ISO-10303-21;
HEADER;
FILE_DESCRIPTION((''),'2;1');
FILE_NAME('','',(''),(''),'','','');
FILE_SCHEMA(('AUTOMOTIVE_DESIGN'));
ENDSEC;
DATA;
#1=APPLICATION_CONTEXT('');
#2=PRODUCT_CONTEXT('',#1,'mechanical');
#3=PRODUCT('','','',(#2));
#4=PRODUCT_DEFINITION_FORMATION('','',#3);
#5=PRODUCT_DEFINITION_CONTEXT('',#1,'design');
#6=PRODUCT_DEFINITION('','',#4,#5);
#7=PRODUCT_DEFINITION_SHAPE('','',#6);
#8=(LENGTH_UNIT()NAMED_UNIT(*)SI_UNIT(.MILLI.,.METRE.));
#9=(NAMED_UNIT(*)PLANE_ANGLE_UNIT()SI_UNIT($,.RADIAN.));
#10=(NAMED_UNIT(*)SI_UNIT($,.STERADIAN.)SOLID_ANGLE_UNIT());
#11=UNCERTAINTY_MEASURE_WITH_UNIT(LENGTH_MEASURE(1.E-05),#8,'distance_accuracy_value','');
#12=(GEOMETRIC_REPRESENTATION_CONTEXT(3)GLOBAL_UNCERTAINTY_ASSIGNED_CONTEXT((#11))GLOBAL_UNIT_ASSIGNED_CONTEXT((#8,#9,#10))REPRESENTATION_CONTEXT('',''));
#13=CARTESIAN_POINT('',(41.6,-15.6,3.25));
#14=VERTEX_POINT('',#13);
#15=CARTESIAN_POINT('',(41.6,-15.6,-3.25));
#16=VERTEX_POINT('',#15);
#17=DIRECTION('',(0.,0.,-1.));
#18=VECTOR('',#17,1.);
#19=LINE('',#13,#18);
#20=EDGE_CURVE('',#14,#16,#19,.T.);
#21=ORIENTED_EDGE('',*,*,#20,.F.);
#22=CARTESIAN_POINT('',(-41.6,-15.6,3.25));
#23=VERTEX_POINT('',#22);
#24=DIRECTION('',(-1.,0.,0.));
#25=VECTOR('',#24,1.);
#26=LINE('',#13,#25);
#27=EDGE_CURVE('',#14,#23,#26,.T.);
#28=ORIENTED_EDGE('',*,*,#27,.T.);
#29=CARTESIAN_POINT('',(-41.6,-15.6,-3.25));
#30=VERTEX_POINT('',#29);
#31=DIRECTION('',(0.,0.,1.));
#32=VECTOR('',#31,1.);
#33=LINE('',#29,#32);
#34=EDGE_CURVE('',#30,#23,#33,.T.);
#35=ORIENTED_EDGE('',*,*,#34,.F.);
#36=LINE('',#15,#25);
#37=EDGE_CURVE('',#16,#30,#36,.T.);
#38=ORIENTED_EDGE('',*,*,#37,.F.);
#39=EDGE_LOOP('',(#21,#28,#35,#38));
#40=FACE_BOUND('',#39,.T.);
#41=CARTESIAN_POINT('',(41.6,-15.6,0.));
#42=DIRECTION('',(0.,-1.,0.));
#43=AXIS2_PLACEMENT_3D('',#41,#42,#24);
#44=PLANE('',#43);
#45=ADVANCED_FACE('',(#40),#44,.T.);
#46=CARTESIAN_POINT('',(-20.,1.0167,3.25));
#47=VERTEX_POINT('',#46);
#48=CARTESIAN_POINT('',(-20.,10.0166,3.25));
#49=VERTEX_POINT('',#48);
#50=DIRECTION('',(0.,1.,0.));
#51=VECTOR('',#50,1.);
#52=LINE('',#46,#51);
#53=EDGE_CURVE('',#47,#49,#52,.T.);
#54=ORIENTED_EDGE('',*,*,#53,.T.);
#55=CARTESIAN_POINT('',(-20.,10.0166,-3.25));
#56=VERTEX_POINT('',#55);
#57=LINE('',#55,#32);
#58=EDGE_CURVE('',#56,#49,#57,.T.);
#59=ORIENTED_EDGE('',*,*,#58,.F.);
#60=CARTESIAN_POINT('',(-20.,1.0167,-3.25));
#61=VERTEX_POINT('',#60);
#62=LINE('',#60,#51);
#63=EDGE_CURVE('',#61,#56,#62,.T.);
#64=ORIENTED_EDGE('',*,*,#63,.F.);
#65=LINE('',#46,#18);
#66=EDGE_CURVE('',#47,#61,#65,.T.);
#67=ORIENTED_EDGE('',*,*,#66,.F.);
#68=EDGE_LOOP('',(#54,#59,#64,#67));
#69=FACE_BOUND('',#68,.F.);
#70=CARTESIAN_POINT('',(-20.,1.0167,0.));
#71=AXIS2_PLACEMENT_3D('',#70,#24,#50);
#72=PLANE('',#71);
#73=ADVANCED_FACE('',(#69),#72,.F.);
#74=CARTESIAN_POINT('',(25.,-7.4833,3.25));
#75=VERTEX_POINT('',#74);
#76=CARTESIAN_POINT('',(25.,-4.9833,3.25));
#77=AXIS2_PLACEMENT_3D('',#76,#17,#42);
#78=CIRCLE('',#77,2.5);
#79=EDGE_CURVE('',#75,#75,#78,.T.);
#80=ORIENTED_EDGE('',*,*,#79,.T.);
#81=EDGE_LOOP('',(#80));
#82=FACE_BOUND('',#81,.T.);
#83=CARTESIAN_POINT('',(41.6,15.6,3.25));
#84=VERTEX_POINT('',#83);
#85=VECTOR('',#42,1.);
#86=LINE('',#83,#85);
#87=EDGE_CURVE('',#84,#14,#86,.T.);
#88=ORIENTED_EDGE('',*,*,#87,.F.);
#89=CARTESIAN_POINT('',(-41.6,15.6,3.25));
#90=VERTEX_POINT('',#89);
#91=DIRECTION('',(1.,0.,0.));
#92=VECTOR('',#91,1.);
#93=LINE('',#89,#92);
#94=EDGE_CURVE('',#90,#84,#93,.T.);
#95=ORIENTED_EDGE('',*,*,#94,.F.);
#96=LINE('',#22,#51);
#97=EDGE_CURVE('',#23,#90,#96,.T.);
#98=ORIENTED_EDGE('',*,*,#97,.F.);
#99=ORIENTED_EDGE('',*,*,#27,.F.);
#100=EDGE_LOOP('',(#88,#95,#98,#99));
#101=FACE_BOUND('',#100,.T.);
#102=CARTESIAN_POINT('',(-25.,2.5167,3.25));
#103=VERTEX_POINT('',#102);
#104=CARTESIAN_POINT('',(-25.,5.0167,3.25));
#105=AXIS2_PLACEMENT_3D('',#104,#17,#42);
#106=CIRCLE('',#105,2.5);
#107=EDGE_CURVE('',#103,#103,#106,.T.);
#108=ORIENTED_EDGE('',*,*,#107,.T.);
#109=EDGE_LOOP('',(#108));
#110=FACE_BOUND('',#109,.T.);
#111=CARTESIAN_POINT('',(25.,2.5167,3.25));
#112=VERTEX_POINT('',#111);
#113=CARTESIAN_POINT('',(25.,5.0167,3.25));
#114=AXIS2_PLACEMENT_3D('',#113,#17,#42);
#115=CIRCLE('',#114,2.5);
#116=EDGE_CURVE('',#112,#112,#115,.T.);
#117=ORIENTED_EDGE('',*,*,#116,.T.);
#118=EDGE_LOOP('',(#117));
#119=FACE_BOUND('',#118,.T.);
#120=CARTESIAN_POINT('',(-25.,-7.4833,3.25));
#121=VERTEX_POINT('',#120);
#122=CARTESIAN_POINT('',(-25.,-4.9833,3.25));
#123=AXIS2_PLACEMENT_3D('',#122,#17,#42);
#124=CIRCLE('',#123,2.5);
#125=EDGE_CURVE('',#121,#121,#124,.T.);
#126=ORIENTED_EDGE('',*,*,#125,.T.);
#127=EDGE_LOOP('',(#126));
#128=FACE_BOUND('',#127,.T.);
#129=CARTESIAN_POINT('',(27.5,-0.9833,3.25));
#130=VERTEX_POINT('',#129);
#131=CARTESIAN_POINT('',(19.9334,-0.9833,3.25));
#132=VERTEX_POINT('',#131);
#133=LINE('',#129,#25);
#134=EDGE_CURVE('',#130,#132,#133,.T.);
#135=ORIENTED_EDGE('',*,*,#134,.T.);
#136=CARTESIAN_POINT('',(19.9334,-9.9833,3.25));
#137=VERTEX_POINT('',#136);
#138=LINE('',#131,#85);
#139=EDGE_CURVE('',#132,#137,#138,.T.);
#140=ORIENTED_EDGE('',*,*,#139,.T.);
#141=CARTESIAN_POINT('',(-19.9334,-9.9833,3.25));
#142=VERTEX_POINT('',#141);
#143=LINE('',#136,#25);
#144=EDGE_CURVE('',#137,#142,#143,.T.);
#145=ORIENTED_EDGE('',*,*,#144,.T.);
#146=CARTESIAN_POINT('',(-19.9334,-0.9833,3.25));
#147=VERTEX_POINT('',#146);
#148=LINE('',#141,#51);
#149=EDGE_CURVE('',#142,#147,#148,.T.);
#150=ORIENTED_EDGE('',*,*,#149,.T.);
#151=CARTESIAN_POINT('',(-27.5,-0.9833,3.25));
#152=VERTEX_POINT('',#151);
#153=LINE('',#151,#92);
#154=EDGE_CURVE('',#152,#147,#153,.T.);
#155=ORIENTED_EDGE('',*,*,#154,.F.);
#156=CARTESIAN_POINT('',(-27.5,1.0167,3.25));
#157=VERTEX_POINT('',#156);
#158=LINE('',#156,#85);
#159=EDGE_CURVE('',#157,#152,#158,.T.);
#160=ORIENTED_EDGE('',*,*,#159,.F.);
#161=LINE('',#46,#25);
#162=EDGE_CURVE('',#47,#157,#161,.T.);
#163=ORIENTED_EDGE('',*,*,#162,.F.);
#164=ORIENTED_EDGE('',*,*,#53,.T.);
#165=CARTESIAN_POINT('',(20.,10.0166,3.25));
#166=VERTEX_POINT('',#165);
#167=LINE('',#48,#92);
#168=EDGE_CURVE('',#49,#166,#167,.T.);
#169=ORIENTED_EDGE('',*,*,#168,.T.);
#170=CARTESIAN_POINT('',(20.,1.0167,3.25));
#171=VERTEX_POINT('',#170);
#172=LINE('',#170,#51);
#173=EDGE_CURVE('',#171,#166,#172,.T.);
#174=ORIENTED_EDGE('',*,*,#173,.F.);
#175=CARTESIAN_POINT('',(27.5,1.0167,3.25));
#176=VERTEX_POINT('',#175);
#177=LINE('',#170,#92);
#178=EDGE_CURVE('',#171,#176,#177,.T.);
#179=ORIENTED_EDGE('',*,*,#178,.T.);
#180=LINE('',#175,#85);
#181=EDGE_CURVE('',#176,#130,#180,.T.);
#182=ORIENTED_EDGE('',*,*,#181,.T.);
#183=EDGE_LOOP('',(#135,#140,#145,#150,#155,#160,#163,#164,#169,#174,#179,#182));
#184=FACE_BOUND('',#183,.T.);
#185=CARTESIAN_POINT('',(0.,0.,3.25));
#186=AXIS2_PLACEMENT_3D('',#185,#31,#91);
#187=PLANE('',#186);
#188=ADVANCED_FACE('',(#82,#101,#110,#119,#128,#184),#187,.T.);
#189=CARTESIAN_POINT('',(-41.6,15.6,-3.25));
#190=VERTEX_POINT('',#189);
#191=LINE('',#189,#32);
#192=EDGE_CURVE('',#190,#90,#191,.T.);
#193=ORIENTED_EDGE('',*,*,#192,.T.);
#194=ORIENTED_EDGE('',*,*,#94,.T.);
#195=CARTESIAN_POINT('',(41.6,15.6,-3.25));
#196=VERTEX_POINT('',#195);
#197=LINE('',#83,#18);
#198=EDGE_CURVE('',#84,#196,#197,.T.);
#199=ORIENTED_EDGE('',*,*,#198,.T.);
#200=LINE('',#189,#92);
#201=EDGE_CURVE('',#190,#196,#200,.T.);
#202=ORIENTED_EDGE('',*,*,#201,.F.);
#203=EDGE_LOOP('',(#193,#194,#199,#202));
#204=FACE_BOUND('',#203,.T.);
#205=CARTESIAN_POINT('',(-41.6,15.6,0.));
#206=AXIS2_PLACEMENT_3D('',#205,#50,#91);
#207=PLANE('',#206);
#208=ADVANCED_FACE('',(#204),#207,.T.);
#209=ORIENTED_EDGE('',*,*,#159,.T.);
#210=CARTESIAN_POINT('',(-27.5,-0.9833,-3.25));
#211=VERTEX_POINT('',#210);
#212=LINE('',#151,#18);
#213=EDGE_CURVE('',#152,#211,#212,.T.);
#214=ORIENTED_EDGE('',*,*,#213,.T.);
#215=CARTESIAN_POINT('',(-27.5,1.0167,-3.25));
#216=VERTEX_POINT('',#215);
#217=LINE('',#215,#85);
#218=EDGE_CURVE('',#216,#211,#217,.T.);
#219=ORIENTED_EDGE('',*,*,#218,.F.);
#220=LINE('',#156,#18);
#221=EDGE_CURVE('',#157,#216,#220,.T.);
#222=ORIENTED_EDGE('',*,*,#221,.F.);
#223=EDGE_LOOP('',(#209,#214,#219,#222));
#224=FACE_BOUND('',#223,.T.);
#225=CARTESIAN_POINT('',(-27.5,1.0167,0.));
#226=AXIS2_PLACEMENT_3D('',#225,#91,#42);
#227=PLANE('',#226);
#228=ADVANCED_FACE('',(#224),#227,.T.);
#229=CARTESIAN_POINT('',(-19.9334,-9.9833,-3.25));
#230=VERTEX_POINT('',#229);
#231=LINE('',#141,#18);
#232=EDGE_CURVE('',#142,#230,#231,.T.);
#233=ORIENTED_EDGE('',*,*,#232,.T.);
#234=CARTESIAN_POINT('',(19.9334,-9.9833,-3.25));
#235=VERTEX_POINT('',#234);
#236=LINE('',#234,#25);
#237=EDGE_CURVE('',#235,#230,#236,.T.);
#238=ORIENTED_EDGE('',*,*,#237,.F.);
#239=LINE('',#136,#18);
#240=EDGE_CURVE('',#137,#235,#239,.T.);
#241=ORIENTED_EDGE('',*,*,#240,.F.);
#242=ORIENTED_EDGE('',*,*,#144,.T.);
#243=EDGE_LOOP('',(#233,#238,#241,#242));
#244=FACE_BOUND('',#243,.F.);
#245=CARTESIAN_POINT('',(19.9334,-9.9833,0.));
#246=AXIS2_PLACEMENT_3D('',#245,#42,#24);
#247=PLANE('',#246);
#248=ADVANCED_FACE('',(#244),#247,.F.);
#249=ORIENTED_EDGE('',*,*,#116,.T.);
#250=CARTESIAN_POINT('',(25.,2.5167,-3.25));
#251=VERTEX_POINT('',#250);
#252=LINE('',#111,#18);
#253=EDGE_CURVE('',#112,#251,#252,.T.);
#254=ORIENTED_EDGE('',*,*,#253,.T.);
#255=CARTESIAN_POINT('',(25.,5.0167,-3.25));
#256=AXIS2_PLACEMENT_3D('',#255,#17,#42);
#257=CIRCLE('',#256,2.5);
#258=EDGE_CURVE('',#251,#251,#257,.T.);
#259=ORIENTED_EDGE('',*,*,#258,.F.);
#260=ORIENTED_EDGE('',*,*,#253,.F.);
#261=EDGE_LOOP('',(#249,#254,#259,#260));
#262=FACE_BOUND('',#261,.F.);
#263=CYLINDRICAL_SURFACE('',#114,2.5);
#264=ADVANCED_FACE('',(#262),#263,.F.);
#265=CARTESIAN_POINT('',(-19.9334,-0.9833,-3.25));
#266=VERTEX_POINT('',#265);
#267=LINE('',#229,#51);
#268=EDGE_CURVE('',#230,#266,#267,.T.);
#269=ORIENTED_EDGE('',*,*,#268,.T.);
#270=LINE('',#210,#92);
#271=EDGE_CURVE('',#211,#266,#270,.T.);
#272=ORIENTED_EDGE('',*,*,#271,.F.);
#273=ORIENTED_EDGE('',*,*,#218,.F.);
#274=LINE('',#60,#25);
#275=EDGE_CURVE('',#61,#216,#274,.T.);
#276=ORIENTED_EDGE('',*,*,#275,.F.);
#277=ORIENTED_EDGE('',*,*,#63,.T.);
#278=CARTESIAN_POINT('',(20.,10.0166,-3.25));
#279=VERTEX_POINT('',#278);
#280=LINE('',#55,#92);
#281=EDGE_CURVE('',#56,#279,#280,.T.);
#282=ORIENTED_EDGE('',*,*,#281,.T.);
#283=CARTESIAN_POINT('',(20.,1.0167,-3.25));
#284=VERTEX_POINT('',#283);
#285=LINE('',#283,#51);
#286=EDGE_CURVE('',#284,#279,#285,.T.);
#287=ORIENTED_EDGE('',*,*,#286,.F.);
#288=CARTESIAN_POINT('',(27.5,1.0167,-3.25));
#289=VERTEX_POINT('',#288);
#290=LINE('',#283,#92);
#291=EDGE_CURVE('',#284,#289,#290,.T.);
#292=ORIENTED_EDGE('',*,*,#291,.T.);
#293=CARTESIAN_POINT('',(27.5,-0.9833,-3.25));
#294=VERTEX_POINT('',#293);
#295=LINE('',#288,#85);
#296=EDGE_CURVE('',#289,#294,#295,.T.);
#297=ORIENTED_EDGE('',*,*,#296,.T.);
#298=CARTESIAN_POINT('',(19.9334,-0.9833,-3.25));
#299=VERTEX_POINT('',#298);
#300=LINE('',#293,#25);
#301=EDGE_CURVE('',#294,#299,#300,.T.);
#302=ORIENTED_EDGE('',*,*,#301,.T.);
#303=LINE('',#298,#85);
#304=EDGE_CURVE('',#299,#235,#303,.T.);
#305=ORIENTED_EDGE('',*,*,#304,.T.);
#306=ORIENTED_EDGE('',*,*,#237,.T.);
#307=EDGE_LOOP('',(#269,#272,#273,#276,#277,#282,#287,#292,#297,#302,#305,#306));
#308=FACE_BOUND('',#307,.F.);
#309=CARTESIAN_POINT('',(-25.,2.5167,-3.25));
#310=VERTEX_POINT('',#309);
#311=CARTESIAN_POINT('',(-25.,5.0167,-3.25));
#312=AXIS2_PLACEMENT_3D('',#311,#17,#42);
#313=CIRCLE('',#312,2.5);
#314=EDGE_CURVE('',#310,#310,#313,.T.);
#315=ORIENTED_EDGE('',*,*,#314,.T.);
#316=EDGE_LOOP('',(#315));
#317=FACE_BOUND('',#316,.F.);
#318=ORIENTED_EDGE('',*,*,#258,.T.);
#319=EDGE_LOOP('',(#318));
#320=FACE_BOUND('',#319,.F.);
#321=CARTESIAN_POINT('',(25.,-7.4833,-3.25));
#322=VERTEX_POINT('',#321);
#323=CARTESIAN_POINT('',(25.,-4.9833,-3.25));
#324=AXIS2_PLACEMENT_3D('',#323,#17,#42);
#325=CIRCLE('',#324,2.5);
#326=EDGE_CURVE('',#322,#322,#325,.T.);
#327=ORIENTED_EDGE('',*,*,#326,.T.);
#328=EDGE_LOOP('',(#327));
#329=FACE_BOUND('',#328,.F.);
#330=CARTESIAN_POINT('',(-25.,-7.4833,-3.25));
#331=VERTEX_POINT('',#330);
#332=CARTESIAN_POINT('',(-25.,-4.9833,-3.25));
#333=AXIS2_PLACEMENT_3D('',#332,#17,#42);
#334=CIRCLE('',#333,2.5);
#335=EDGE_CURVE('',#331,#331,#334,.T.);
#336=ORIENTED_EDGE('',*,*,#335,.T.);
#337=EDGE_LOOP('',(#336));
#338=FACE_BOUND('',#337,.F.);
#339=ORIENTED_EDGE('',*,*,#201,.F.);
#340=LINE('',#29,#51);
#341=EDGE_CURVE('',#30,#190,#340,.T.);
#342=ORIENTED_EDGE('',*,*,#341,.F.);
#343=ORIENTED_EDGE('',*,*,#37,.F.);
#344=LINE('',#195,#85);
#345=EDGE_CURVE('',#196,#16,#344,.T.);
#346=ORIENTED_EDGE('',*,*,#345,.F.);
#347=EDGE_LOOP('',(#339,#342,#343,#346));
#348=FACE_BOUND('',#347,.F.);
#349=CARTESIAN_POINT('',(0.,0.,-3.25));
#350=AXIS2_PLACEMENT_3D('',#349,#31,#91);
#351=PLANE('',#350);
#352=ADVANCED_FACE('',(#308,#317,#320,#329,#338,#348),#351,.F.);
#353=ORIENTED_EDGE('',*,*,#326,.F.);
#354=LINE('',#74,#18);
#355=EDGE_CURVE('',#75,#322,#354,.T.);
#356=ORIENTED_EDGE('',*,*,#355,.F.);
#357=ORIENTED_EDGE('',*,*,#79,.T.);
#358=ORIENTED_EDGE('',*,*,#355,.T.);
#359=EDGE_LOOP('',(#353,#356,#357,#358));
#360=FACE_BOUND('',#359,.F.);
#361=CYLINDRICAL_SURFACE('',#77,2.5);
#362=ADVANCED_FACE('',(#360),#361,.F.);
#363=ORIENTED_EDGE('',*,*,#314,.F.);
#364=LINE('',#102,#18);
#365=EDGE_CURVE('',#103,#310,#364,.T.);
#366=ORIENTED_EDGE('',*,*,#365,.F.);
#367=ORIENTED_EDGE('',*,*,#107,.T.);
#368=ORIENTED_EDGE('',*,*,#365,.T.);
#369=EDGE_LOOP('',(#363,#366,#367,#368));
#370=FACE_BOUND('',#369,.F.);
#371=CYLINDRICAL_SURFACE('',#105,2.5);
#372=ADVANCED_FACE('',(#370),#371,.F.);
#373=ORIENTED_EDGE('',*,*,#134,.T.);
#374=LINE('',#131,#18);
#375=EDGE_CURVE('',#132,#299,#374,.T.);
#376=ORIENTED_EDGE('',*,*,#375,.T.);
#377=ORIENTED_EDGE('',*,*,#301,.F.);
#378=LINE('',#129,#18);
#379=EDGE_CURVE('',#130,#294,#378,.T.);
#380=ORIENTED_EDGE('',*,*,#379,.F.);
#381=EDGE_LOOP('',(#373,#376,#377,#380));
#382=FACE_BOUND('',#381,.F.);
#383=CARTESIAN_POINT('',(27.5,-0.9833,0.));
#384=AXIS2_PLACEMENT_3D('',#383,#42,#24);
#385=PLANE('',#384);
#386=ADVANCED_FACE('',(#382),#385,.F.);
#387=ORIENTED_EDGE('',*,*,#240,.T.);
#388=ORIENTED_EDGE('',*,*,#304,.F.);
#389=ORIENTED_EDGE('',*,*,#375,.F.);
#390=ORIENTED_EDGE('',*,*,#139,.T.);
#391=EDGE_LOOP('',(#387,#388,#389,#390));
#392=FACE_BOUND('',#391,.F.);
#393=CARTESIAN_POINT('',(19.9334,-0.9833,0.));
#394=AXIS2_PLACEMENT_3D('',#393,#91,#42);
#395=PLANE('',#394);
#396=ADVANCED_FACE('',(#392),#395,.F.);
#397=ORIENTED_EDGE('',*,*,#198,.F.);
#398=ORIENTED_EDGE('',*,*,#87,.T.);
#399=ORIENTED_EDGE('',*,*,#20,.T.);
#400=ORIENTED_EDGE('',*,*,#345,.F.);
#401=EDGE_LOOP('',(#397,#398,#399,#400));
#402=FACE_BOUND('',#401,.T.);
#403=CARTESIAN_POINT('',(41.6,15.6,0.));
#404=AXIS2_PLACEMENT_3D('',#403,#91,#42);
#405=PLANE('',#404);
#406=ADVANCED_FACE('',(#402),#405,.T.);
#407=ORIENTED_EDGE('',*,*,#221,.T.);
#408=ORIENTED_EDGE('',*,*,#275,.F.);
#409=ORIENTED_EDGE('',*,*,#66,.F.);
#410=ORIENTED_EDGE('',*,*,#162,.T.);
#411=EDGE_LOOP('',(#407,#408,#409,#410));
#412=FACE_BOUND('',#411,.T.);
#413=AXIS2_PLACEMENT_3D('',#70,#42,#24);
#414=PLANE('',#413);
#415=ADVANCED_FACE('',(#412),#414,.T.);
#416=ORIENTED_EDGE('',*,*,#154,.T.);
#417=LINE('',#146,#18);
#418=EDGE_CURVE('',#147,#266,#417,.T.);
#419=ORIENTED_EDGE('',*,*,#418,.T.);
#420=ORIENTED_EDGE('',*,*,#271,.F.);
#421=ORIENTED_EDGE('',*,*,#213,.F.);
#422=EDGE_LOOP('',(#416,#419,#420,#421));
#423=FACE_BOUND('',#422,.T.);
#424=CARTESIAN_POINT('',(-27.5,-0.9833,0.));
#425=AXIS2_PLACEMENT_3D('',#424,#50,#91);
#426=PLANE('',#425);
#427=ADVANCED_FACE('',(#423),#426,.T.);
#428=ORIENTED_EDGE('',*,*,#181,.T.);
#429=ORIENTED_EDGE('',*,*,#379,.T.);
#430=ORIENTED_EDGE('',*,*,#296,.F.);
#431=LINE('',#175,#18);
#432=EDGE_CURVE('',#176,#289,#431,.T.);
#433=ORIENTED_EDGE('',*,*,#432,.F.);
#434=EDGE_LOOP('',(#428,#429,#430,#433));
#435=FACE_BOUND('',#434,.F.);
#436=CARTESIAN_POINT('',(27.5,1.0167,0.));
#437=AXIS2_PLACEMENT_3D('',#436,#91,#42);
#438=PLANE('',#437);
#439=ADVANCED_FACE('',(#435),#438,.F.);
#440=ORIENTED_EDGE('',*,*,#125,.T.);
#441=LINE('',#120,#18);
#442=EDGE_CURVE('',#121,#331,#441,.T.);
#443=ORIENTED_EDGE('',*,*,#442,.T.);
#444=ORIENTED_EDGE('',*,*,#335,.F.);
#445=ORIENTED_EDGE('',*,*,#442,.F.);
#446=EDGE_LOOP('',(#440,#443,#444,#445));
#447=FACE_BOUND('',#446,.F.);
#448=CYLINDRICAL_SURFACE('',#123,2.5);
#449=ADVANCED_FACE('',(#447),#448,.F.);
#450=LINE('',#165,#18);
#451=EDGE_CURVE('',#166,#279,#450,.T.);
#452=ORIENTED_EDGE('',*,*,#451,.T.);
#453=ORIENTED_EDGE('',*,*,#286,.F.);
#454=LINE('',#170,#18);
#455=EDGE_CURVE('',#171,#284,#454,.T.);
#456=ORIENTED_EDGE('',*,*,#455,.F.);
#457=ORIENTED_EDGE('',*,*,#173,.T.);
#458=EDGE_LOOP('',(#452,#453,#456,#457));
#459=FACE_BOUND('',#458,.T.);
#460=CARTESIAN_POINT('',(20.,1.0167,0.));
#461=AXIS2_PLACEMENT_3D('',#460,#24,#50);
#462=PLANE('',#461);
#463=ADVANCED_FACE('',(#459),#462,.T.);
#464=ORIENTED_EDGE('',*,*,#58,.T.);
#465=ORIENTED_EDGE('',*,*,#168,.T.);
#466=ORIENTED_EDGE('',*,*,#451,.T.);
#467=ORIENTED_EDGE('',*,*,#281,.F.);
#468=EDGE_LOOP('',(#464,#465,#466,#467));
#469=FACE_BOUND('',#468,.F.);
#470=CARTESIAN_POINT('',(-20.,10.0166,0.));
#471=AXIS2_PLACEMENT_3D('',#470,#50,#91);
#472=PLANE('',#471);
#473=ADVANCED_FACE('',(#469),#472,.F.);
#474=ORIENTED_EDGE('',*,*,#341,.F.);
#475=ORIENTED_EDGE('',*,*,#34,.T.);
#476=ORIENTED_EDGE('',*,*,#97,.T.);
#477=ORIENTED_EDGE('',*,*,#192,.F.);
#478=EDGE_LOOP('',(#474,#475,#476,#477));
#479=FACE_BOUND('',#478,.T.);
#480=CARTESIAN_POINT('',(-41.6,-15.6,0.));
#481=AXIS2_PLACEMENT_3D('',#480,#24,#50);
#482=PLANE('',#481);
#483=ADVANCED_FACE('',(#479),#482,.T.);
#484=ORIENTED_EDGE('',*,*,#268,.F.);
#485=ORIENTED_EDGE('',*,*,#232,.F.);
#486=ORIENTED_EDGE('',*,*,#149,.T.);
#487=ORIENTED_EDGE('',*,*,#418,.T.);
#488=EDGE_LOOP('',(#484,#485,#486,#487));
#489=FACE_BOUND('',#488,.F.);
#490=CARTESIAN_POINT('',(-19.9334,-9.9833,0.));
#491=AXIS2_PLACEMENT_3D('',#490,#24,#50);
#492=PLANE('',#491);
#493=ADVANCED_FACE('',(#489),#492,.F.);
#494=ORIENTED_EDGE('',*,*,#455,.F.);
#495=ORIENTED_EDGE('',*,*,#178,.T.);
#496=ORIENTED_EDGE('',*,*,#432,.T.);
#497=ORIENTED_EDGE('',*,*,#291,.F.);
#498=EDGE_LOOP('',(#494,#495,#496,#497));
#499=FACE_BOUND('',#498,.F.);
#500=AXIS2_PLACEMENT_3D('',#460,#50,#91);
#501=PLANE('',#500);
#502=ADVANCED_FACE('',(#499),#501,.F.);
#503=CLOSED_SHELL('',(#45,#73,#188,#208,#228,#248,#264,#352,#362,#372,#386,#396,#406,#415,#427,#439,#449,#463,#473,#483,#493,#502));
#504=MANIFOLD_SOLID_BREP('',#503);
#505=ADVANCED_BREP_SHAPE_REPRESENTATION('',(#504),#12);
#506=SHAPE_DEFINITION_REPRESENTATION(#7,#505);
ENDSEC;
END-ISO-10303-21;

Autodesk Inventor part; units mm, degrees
ref_plane "YZ Plane" through (0, 0, 0) normal (1, 0, 0) x (0, 1, 0)
ref_plane "XZ Plane" through (0, 0, 0) normal (0, 1, 0) x (-1, 0, 0)
ref_plane "XY Plane" through (0, 0, 0) normal (0, 0, 1) x (1, 0, 0)
sketch "Sketch1" plane through (0, 0, 0) normal (0, 0, 1) x (1, 0, 0)
  line L0 (-20, 10.0166) -> (20, 10.0166)
  line L1 (19.9334, -9.9833) -> (-19.9334, -9.9833)
  line L2 (-20, 10.0166) -> (19.9334, -9.9833) construction
  line L3 (20, 10.0166) -> (-19.9334, -9.9833) construction
  line L4 (-41.6, 15.6) -> (41.6, 15.6)
  line L5 (41.6, 15.6) -> (41.6, -15.6)
  line L6 (41.6, -15.6) -> (-41.6, -15.6)
  line L7 (-41.6, -15.6) -> (-41.6, 15.6)
  line L8 (-41.6, 15.6) -> (41.6, -15.6) construction
  line L9 (41.6, 15.6) -> (-41.6, -15.6) construction
  line L10 (-20, 1.0167) -> (-27.5, 1.0167)
  line L11 (-27.5, 1.0167) -> (-27.5, -0.9833)
  line L12 (-27.5, -0.9833) -> (-19.9334, -0.9833)
  line L13 (20, 1.0167) -> (27.5, 1.0167)
  line L14 (27.5, 1.0167) -> (27.5, -0.9833)
  line L15 (27.5, -0.9833) -> (19.9334, -0.9833)
  line L16 (-20, 1.0167) -> (-20, 10.0166)
  line L17 (-19.9334, -9.9833) -> (-19.9334, -0.9833)
  line L18 (19.9334, -0.9833) -> (19.9334, -9.9833)
  line L19 (20, 1.0167) -> (20, 10.0166)
  point P0 (0, 0)
  point P1 (-27.5, 0.0167)
  point P2 (-0.0333, 0.0167)
  point P3 (0, 10.0166)
  point P4 (0, 0)
  dimension "CInt" = 40
  dimension "LInt" = 20
  dimension "Cext" = 83.2
  dimension "Lext" = 31.2
  dimension "Cpeq" = 7.5
  dimension "Lpeq" = 2
  dimension "d10" = 7.5
  dimension "d11" = 2
extrude "Extrusion1" add sketch "Sketch1" along normal mid plane 6.5
sketch "Sketch8" plane through (0, 0, 3.25) normal (0, 0, 1) x (1, 0, 0)
  point P0 (0, 0)
hole "Hole1" at (-25, 5.0167, 3.25) direction (0, 0, -1) diameter 5 end through all
pattern_linear "Rectangular Pattern1" count 2 spacing 10 along (0, -1, 0) of "Hole1"
hole "Hole2" at (25, 5.0167, 3.25) direction (0, 0, -1) diameter 5 end through all
pattern_linear "Rectangular Pattern2" count 2 spacing 10 along (0, -1, 0) of "Hole2"
properties part number "Cou-Bon"
